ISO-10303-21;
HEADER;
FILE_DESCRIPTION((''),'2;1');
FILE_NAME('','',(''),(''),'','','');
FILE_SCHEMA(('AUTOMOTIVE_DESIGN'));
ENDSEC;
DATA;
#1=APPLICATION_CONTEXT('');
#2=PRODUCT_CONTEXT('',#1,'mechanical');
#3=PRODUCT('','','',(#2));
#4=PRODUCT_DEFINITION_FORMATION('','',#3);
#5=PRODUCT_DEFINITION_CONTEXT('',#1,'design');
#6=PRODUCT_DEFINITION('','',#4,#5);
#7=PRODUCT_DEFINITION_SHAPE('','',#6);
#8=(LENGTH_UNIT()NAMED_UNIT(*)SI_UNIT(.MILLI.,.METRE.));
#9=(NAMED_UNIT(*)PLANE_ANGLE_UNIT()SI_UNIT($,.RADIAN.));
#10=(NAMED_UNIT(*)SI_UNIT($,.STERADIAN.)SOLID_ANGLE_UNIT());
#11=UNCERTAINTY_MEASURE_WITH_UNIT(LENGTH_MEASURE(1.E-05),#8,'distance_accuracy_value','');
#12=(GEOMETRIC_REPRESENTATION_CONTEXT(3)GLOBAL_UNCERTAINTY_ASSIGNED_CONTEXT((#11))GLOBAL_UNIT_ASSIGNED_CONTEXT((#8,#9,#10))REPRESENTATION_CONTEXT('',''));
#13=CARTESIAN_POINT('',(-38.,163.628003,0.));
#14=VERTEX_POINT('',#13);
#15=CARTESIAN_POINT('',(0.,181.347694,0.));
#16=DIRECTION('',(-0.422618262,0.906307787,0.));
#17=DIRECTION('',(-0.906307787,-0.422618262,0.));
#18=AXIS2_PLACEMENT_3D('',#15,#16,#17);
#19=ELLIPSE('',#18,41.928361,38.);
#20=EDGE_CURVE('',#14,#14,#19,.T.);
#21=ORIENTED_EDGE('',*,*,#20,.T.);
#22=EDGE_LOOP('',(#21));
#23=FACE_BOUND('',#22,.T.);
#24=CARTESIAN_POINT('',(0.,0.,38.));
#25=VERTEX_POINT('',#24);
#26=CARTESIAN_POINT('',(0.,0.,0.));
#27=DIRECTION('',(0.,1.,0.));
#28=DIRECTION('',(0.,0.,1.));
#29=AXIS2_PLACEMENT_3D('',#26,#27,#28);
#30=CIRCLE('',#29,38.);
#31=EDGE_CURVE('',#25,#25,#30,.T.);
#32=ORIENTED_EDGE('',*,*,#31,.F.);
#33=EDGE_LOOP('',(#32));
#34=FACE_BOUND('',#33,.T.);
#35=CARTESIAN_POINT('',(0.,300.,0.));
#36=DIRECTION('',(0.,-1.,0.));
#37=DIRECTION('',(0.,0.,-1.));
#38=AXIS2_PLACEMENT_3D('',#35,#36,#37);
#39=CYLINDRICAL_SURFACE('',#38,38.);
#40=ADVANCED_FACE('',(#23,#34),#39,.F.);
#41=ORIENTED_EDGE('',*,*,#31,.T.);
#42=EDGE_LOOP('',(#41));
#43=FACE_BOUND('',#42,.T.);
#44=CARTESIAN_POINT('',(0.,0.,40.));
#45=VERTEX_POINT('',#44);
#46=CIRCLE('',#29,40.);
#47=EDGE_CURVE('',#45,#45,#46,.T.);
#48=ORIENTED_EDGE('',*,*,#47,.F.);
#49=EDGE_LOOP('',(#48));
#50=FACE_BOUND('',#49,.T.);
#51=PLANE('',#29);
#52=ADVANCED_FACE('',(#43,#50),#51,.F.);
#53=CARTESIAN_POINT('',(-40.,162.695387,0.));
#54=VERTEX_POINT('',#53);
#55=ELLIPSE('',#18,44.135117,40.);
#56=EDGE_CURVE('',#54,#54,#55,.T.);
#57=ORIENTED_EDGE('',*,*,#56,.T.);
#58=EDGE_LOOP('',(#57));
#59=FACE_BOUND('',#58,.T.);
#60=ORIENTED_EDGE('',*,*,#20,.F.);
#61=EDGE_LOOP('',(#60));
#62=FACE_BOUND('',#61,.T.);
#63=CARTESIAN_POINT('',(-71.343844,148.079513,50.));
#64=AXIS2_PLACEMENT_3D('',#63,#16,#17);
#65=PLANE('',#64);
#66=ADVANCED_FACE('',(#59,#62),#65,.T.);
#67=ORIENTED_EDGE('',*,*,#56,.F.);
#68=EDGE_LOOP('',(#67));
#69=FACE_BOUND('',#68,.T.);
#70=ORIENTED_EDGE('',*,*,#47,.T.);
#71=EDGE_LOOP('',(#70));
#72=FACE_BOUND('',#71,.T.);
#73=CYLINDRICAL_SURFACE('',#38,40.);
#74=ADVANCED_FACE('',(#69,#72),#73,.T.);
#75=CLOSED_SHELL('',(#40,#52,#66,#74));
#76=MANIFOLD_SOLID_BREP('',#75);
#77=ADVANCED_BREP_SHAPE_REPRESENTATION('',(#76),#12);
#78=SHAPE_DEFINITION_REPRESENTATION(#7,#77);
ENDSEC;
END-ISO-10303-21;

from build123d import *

# Parameters (mm, degrees)
ESQUISSE1_R                  = 40
ESQUISSE1_R_2                = 38
BOSS_EXTRU_1_DEPTH           = 300
ENL_V_MAT_EXTRU_1_DEPTH      = 50
ENL_V_MAT_EXTRU_1_DEPTH_BACK = 50


with BuildPart() as part:
    # Esquisse1 → Boss.-Extru.1 (new body)
    with BuildSketch(Plane(origin=(0, 0, 0), x_dir=(1, 0, 0), z_dir=(0, 1, 0))):
        with Locations(Location((0, 0, 0), (0, 0, 270))):  # turned: the seam where the file's is
            Circle(ESQUISSE1_R)
        with Locations(Location((0, 0, 0), (0, 0, 270))):  # turned: the seam where the file's is
            Circle(ESQUISSE1_R_2, mode=Mode.SUBTRACT)
    extrude(amount=BOSS_EXTRU_1_DEPTH)

    # Esquisse2 → Enl_v. mat.-Extru.1 (cut, two sides)
    with BuildSketch(Plane.XY) as enl_v_mat_extru_1_sk:
        Polygon((52.964597289, 206.045491001), (52.964597289, 318.753762587), (-71.343843605, 318.753762587), (-71.343843605, 148.079513039), align=None)
    extrude(amount=ENL_V_MAT_EXTRU_1_DEPTH, mode=Mode.SUBTRACT)
    extrude(enl_v_mat_extru_1_sk.sketch, amount=-ENL_V_MAT_EXTRU_1_DEPTH_BACK, mode=Mode.SUBTRACT)


solid = part.part
